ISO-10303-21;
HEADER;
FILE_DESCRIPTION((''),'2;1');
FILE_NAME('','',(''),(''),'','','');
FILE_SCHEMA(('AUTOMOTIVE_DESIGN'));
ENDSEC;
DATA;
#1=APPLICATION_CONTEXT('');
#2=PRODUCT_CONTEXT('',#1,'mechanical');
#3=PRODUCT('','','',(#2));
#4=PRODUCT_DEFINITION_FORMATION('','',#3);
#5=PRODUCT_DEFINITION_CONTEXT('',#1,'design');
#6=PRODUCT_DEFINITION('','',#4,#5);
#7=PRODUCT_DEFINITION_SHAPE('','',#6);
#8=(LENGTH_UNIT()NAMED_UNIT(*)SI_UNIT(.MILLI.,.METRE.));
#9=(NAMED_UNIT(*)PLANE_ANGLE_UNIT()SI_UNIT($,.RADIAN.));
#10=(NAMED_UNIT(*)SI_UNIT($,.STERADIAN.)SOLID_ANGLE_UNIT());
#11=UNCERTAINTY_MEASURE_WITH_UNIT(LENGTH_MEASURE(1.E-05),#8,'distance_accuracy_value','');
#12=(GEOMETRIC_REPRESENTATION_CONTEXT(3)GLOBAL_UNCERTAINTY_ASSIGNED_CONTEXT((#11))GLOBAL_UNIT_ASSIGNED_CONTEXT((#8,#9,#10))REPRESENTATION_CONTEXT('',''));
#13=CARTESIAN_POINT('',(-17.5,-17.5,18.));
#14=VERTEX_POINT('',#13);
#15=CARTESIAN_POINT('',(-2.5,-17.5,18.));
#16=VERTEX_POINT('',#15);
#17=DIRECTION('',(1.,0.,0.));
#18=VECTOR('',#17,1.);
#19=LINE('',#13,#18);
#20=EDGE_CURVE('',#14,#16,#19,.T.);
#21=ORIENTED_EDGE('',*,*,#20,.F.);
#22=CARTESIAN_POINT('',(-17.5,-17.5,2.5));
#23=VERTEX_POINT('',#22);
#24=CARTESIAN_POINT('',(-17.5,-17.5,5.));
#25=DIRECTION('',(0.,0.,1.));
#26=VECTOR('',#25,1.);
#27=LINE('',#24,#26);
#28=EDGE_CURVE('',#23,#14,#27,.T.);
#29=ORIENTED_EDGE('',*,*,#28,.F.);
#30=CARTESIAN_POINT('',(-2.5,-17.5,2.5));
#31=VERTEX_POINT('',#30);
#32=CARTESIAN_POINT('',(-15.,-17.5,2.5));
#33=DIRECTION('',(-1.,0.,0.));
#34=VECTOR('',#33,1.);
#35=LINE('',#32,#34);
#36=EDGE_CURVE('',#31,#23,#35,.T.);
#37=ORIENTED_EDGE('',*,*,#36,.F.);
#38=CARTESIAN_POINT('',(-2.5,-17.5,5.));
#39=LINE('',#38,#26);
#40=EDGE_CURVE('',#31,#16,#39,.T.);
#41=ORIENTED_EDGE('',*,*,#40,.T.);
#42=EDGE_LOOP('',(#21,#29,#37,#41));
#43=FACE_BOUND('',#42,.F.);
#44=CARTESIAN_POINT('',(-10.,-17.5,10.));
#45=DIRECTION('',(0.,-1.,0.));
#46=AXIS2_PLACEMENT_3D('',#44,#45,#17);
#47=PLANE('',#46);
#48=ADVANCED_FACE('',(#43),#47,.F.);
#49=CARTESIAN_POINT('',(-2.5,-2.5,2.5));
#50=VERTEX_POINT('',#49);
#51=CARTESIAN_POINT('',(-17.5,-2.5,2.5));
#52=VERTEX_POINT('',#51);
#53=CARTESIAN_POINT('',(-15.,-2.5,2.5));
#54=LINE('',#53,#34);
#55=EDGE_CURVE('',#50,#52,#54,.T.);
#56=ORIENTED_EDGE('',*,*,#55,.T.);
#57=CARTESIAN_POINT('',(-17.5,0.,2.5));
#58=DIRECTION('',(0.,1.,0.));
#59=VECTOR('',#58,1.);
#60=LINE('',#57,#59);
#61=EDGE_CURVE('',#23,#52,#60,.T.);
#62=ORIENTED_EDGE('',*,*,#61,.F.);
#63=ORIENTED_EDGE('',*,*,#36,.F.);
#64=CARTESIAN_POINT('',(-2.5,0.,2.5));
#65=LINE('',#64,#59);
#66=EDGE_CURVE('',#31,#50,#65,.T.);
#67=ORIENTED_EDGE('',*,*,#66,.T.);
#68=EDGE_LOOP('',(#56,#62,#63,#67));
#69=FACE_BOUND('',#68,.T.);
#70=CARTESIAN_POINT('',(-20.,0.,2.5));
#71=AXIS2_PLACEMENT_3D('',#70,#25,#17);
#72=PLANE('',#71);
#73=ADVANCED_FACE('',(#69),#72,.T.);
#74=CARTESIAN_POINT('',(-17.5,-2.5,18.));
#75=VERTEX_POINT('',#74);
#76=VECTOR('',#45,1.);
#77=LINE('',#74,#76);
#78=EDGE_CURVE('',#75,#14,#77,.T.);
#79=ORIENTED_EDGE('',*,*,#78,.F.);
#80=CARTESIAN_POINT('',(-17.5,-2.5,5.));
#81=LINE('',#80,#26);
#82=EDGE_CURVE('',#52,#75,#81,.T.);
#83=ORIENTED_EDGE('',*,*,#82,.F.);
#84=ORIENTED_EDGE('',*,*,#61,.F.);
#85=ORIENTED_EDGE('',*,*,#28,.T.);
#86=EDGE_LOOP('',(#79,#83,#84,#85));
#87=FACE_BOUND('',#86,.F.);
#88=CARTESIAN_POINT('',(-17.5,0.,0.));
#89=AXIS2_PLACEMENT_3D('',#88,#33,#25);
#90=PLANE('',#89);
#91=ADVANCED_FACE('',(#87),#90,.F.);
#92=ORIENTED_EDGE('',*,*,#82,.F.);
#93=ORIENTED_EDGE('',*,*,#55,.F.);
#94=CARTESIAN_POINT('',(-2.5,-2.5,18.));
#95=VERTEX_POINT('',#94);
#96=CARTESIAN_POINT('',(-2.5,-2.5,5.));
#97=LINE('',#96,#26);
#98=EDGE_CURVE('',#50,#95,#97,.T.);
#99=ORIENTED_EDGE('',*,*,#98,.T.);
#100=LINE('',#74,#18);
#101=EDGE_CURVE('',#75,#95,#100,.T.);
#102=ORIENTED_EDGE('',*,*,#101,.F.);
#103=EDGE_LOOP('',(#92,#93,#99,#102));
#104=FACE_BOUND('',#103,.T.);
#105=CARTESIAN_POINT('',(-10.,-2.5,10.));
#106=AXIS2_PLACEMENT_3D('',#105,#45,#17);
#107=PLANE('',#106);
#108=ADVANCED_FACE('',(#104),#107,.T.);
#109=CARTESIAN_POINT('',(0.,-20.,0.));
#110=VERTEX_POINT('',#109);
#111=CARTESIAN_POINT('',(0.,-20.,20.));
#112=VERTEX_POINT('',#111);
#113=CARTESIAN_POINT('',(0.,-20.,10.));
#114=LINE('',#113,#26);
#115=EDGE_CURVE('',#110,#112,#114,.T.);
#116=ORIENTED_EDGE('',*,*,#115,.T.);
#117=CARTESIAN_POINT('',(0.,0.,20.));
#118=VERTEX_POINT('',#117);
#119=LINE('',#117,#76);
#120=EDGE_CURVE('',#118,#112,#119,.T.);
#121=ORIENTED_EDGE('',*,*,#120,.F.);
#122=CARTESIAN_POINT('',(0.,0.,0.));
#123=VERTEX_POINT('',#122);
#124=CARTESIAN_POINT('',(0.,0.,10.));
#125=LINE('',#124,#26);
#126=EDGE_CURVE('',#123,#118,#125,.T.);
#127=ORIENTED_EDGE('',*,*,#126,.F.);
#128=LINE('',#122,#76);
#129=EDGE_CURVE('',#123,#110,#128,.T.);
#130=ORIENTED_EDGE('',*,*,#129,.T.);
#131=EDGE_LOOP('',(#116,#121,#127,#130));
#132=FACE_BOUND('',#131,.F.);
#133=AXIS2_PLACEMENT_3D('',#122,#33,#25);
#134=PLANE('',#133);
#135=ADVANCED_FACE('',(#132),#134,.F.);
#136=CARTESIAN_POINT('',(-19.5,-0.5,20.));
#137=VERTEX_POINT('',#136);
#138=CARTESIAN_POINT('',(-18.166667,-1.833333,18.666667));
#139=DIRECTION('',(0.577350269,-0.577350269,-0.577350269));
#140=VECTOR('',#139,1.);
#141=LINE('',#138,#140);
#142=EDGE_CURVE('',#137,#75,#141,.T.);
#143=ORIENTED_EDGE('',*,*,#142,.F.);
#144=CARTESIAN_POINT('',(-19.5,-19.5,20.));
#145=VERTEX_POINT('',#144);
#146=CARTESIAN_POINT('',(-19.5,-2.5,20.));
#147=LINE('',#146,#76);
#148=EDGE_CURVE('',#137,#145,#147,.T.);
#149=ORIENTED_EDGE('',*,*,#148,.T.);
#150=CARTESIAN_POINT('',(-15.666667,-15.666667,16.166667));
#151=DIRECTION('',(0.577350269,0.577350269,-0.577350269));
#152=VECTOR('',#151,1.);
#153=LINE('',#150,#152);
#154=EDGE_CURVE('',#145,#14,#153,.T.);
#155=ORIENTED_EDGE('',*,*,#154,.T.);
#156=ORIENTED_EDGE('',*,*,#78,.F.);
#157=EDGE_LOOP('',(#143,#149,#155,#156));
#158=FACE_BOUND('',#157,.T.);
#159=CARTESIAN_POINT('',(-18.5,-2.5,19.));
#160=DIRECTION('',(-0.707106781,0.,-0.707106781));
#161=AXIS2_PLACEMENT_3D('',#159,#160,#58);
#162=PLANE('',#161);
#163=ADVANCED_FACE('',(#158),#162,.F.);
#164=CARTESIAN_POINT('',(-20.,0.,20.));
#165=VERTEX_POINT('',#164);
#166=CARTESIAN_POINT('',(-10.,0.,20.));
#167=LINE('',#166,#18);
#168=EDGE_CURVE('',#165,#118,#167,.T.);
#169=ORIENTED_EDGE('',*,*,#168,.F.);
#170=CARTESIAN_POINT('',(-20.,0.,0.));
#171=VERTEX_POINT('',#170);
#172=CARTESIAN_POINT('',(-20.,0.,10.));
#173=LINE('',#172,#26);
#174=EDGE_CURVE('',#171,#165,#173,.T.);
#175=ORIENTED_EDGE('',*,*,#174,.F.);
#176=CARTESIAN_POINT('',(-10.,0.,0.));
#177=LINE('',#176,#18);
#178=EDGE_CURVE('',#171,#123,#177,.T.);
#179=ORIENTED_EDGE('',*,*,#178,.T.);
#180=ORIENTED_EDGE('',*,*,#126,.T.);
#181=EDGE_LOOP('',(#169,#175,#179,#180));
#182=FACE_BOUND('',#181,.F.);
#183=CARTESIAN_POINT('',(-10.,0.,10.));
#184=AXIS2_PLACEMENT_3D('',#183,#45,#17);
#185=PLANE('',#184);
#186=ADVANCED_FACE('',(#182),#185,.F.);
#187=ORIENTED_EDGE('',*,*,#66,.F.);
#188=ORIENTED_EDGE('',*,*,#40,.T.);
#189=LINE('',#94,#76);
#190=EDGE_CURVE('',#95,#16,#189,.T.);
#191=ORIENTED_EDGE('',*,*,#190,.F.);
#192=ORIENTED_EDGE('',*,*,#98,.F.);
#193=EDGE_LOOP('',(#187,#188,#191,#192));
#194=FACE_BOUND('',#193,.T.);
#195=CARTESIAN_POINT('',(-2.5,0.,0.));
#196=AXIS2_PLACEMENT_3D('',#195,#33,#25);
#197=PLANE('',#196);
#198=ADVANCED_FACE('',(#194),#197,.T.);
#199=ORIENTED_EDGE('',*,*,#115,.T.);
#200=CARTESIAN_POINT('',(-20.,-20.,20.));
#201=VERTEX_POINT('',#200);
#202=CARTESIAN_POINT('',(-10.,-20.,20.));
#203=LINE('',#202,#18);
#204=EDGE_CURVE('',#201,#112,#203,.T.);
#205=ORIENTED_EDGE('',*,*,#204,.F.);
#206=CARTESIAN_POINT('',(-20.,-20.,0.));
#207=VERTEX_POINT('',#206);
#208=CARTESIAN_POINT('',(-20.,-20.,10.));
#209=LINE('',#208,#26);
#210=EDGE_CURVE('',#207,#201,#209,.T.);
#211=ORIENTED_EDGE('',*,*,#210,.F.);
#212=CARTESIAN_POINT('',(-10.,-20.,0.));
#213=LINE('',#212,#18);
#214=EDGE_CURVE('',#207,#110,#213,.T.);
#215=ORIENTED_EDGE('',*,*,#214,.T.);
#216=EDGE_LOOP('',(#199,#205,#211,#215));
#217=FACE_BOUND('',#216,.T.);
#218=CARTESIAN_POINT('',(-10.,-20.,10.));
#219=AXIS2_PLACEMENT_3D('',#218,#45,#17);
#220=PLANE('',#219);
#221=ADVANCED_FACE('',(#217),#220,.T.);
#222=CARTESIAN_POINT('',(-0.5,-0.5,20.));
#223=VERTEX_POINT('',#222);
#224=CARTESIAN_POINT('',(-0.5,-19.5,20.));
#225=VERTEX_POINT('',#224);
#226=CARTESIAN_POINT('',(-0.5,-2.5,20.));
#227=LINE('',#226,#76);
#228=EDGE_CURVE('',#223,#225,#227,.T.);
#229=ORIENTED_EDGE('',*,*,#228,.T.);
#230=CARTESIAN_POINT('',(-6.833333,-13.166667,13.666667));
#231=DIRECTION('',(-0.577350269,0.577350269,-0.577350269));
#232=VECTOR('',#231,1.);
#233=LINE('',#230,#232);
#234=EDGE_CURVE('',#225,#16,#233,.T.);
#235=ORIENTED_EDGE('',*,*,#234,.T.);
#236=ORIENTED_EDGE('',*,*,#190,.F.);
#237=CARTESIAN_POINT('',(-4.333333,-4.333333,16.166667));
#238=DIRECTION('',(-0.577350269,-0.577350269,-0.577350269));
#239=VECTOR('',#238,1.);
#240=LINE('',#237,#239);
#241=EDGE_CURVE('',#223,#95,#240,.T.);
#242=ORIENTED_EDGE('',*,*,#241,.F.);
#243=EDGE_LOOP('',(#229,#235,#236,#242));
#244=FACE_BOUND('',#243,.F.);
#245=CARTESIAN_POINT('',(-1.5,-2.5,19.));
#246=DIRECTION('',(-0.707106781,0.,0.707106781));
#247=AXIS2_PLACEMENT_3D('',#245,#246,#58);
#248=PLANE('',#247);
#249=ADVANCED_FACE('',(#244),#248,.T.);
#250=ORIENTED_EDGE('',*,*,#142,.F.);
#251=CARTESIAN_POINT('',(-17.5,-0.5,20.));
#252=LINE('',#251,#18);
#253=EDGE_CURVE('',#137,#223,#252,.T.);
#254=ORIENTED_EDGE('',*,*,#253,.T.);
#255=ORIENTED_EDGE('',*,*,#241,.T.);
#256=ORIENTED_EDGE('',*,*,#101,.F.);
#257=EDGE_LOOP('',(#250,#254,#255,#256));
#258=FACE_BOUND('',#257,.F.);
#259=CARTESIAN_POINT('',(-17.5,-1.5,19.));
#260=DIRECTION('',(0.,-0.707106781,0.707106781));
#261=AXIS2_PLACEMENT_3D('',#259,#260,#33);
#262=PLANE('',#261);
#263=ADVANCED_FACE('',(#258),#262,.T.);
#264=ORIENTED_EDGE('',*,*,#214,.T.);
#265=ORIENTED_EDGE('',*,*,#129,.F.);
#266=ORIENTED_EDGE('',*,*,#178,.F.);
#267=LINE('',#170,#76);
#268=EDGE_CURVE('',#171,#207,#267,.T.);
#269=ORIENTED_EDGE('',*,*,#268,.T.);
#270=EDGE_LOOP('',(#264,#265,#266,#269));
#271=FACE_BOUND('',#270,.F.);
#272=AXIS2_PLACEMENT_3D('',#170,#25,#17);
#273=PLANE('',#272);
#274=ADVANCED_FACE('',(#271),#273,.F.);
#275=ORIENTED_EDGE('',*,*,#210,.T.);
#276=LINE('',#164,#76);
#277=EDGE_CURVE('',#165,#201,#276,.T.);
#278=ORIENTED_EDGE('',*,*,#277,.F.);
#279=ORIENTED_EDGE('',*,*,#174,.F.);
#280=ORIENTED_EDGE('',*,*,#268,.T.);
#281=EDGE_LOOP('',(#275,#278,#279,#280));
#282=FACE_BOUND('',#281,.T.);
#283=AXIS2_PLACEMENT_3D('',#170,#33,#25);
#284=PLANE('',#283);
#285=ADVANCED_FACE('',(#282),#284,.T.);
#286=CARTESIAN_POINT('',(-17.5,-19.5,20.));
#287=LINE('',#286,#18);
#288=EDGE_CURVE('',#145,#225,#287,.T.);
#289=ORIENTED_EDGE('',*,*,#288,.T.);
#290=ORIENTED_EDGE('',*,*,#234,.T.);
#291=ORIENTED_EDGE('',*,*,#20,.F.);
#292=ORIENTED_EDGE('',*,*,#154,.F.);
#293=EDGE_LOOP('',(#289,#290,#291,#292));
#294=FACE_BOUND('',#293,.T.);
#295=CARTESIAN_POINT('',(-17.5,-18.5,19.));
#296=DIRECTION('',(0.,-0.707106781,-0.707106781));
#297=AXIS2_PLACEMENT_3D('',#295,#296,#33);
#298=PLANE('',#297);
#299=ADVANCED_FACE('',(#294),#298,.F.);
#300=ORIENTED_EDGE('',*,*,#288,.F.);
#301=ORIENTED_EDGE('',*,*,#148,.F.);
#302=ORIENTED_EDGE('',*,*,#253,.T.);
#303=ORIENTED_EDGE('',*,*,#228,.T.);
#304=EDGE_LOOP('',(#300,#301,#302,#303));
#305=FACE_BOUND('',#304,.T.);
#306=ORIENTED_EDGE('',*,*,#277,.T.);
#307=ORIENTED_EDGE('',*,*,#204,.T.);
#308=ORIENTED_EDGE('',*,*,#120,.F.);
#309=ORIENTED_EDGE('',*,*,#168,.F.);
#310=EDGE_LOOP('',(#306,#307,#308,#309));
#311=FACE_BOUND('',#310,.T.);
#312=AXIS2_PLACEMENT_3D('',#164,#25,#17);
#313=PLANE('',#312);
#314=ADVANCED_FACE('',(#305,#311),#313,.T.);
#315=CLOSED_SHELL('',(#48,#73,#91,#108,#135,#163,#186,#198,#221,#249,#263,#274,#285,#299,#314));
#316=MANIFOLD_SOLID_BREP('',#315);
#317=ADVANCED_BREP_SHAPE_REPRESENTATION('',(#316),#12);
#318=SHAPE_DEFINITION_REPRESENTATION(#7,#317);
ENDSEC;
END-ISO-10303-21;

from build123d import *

# Parameters (mm, degrees)
F0_W     = 20
F0_H     = 20
F1_DEPTH = 20
F2_T     = -2.5
F3_SIZE  = 2


with BuildPart() as f1:
    # F0 (on Front) → F1 (new body)
    with BuildSketch(Plane.XZ):
        with Locations((-10, 10)):
            Rectangle(F0_W, F0_H)
    extrude(amount=F1_DEPTH)

    # F2
    f2_openings = [f1.faces().sort_by_distance(p)[0] for p in [
        (-10, -10, 20),
    ]]
    offset(amount=F2_T, openings=f2_openings)

    # F3
    f3_edges = [f1.edges().sort_by_distance(p)[0] for p in [
        (-17.5, -10, 20),
        (-10, -2.5, 20),
        (-2.5, -10, 20),
        (-10, -17.5, 20),
    ]]
    chamfer(f3_edges, length=F3_SIZE)


solid = f1.part
